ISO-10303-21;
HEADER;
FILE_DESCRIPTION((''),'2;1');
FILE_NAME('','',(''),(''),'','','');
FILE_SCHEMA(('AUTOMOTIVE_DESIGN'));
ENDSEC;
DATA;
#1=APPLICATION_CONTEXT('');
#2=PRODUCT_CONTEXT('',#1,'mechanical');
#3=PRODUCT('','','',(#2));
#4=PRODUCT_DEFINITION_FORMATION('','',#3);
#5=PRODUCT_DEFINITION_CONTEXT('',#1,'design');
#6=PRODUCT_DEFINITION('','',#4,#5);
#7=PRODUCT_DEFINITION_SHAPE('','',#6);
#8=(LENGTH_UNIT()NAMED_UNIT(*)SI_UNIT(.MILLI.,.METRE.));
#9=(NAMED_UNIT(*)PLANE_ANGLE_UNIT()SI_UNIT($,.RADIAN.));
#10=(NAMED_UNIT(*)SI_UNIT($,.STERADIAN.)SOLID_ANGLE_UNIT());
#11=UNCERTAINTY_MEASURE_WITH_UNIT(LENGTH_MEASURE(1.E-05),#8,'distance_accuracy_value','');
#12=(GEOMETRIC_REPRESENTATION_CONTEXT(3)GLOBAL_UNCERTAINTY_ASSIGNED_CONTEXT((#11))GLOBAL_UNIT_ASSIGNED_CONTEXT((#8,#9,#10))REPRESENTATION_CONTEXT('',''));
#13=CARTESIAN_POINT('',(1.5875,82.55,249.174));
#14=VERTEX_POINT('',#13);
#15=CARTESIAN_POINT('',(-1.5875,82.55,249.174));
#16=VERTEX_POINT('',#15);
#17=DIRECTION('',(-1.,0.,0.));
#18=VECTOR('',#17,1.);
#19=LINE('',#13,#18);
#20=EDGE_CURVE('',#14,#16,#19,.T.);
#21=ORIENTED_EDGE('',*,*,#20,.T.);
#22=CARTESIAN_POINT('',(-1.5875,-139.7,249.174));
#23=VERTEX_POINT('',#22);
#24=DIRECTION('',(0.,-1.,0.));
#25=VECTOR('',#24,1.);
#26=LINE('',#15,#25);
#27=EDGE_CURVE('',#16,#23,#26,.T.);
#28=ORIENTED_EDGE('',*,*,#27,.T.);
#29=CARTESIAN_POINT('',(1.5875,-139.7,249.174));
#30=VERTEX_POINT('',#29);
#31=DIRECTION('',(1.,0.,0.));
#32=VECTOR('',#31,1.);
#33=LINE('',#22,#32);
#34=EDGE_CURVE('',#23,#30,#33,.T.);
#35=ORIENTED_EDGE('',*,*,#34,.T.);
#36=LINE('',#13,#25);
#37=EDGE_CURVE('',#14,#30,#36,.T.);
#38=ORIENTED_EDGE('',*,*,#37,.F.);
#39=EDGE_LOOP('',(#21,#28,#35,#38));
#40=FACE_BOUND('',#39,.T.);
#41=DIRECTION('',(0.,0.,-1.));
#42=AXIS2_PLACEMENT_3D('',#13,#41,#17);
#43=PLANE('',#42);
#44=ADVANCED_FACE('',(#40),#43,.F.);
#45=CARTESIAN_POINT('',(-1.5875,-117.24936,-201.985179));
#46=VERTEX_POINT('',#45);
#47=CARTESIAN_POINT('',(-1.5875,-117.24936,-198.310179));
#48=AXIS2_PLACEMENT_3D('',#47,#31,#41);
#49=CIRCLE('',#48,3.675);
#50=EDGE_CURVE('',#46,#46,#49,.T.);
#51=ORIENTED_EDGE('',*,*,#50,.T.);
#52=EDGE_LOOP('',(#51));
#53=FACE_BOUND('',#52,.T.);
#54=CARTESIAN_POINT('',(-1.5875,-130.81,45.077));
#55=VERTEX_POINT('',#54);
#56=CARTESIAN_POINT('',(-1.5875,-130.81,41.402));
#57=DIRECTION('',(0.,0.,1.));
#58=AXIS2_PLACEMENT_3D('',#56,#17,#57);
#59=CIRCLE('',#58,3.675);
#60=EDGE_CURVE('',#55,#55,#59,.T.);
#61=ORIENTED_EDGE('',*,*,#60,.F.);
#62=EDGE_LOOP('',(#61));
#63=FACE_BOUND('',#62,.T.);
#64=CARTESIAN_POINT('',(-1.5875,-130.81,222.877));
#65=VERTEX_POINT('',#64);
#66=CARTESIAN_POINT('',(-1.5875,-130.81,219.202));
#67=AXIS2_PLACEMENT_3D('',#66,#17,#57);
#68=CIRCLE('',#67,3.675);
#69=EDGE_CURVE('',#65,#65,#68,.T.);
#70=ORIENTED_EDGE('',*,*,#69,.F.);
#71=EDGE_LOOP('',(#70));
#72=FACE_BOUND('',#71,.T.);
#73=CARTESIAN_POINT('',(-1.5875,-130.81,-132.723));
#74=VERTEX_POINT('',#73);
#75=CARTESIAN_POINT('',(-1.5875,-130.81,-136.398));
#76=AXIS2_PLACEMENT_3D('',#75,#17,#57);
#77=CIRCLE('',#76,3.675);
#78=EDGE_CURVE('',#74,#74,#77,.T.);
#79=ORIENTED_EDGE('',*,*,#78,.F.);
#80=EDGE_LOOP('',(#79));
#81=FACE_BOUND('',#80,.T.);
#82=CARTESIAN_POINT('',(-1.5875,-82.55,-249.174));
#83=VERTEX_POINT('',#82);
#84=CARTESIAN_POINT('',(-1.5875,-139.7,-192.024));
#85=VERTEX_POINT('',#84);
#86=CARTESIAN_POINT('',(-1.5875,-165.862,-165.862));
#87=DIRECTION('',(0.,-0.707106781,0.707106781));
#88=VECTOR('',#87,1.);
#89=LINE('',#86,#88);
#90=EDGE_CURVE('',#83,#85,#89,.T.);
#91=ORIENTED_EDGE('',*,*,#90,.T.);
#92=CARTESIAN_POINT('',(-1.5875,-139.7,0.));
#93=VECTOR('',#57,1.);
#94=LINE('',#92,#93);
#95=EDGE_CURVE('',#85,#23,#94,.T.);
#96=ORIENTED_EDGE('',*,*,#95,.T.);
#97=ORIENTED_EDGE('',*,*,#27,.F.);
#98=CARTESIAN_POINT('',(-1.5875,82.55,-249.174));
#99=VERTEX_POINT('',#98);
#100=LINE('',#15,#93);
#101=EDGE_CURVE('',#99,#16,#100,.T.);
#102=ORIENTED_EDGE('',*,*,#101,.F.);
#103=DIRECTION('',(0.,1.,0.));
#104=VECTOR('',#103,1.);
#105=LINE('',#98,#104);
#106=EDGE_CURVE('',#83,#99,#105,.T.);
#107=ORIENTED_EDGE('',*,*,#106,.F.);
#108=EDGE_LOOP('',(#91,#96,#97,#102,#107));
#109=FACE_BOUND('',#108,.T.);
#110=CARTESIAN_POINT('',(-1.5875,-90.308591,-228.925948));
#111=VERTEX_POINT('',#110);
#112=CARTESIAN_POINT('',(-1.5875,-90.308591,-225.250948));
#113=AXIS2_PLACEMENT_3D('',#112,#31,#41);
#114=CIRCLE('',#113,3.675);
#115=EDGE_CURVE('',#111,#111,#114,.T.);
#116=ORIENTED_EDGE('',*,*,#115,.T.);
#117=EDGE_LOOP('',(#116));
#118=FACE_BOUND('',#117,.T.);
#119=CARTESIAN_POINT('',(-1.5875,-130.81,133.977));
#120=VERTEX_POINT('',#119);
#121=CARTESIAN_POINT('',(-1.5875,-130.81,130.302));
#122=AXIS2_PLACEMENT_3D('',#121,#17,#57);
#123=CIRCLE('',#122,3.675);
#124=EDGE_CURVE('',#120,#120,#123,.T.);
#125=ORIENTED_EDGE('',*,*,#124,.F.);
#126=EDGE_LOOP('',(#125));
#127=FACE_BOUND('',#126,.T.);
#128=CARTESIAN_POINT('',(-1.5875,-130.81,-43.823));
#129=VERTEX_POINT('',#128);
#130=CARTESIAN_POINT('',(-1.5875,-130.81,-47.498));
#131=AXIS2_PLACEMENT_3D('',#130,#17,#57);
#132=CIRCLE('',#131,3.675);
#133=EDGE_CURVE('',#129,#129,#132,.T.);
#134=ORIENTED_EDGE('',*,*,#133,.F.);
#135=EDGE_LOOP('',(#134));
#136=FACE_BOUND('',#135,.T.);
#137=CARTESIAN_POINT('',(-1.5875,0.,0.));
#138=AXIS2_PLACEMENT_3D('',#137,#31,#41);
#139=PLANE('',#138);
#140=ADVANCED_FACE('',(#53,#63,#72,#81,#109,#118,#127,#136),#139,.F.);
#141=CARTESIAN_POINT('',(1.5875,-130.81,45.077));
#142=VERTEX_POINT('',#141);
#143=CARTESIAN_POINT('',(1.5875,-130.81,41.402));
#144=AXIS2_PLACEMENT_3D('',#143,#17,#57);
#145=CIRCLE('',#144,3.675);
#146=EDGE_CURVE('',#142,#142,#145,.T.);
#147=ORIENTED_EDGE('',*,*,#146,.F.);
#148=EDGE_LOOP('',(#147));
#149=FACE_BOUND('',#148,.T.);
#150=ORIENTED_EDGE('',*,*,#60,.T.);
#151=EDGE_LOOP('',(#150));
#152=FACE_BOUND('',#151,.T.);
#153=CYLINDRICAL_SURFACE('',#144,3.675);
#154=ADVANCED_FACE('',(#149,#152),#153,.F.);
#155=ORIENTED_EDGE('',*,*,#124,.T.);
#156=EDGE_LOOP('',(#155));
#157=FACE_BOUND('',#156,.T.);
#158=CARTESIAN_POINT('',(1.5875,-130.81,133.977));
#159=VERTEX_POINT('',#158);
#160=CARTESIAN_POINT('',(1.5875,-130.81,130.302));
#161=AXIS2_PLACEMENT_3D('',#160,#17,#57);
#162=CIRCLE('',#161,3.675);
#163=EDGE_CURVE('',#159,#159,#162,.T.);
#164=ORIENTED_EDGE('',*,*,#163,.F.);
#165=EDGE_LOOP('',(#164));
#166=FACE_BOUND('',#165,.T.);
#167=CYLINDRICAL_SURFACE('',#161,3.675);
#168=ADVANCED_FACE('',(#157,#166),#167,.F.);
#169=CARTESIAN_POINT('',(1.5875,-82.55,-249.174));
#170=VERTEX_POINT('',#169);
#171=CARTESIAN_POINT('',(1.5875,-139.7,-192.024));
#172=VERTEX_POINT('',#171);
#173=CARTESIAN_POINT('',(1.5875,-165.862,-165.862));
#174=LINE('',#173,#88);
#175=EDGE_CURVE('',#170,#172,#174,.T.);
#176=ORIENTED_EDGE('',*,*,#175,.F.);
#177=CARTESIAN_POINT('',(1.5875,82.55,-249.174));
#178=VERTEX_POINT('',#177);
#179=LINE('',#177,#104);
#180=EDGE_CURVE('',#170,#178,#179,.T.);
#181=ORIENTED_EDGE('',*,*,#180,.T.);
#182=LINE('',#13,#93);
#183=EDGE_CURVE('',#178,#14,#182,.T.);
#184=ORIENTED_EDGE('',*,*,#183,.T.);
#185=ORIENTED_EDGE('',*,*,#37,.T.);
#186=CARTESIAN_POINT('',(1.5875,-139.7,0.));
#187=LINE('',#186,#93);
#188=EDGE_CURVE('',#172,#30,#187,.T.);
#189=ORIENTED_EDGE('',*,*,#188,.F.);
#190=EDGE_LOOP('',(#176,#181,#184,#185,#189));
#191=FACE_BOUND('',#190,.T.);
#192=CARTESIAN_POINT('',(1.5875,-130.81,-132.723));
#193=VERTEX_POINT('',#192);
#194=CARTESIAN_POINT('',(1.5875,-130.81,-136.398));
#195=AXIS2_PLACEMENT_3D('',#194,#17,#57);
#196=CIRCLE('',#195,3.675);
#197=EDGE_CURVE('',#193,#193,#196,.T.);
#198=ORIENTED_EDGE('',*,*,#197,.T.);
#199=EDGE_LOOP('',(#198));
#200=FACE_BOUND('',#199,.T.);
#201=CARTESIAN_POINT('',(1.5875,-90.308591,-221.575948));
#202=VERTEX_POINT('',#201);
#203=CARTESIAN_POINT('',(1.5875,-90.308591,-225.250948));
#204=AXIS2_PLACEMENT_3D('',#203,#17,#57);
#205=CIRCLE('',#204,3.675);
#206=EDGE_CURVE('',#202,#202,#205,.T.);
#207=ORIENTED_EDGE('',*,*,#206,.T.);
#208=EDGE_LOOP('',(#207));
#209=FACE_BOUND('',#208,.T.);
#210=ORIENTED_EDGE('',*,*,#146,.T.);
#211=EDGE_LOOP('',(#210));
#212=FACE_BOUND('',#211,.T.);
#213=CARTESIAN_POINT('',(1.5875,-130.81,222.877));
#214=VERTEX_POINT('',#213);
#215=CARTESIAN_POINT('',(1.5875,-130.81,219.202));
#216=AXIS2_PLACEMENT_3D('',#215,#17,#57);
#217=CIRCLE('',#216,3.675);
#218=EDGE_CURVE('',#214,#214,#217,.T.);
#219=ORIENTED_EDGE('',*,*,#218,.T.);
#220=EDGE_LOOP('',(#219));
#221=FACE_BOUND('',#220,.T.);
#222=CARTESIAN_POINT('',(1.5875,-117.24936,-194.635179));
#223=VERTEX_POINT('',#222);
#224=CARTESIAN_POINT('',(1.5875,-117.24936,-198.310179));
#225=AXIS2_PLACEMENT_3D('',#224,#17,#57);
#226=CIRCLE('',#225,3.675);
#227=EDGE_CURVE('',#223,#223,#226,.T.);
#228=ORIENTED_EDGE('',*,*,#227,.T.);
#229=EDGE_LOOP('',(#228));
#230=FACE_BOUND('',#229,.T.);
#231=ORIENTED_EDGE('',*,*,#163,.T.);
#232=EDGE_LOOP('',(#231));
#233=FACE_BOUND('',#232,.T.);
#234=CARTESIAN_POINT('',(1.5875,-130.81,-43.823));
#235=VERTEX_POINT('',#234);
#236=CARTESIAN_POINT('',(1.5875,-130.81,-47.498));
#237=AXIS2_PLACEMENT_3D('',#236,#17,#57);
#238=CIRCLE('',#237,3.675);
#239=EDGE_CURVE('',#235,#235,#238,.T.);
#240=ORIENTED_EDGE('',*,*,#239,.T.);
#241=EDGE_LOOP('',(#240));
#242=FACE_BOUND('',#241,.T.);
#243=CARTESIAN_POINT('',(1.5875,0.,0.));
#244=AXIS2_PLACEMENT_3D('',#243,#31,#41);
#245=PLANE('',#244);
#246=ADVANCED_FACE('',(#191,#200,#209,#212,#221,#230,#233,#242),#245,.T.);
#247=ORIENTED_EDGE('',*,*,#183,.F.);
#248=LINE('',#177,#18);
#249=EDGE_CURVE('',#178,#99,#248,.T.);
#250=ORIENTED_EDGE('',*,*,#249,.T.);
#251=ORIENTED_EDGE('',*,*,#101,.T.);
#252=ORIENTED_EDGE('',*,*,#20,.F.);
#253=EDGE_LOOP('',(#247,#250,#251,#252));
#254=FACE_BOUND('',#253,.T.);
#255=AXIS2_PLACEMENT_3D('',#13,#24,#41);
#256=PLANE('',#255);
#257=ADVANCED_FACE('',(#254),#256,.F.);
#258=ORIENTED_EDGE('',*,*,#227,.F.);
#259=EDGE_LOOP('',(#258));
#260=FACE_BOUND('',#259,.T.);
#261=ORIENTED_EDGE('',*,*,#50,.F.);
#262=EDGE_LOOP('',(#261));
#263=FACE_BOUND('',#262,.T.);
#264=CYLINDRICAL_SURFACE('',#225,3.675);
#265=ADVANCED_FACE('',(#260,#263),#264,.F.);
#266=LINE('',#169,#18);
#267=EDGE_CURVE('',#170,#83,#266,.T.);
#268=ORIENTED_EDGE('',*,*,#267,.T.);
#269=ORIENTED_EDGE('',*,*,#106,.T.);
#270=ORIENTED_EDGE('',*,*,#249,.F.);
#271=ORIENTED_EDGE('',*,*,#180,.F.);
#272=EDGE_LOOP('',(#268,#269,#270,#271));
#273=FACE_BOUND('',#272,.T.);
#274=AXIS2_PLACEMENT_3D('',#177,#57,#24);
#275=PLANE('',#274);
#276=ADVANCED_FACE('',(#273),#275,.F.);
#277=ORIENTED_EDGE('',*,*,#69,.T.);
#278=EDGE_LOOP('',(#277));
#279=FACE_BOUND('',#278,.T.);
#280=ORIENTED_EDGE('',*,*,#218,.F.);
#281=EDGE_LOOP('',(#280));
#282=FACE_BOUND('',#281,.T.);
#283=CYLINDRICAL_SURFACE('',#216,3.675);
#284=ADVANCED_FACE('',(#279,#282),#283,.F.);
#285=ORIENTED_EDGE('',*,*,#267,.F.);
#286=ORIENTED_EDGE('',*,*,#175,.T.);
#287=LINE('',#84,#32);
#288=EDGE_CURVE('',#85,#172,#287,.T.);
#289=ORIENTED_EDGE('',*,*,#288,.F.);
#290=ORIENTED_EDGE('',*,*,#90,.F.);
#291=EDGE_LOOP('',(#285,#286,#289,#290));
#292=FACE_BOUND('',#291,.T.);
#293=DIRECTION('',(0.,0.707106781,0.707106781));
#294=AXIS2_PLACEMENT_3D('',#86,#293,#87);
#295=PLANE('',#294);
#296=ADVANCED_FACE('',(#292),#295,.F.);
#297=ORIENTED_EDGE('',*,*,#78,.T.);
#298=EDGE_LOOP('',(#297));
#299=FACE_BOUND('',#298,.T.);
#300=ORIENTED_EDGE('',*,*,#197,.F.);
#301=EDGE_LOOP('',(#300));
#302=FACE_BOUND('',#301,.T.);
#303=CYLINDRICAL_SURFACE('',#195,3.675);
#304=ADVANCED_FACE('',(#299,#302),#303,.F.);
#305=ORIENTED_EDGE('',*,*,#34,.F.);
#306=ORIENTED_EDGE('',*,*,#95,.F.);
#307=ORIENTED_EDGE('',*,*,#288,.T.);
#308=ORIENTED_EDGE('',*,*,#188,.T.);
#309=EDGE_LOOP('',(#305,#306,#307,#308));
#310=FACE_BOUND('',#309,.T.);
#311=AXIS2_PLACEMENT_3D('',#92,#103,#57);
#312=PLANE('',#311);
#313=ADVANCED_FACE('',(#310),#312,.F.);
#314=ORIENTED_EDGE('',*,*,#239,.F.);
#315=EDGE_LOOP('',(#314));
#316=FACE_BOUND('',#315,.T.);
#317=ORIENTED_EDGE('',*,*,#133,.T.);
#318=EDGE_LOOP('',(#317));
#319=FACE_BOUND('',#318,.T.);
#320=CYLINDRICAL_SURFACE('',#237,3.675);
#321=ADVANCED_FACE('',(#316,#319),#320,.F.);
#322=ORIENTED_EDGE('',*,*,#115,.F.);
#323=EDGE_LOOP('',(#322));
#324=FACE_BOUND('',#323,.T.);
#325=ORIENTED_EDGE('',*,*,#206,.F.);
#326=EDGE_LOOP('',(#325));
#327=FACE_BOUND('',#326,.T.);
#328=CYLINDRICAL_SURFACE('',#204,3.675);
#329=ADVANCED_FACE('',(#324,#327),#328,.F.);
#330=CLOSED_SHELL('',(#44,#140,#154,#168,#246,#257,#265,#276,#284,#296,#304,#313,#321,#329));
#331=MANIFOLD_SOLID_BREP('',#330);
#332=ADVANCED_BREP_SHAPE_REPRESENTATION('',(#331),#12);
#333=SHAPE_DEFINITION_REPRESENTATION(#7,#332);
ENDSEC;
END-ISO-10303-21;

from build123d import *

# Parameters (mm, degrees)
SKETCH1_W           = 498.348
SKETCH1_H           = 165.1
BOSS_EXTRUDE1_DEPTH = 1.5875
BOSS_EXTRUDE2_DEPTH = 3.175
CUT_EXTRUDE1_DEPTH  = 286.681383539
LPATTERN1_COUNT     = 5
LPATTERN1_PITCH     = 88.9
CUT_EXTRUDE2_DEPTH  = 286.681383539
LPATTERN2_COUNT     = 2
LPATTERN2_PITCH     = 38.1


with BuildPart() as part:
    # Sketch1 → Boss-Extrude1 (new, symmetric)
    with BuildSketch(Plane(origin=(0, 0, 0), x_dir=(0, 0, -1), z_dir=(1, 0, 0))):
        Rectangle(SKETCH1_W, SKETCH1_H)
    extrude(amount=BOSS_EXTRUDE1_DEPTH, both=True)

    # Sketch2 → Boss-Extrude2 (add)
    with BuildSketch(Plane(origin=(1.5875, 0, 0), x_dir=(0, 0, -1), z_dir=(1, 0, 0))):
        Polygon((192.024, -139.7), (249.174, -82.55), (-249.174, -82.55), (-249.174, -139.7), align=None)
    extrude(amount=-BOSS_EXTRUDE2_DEPTH)

    # Sketch3 → Cut-Extrude1 (cut, through all)
    with BuildSketch(Plane.ZY.offset(1.5875)):
        with BuildLine():
            ThreePointArc((222.877, -130.81), (216.603382579, -128.211382579), (219.202, -134.485))
            Line((219.202, -134.485), (219.202, -130.81))
            Line((219.202, -130.81), (222.877, -130.81))
        make_face()
        with BuildLine():
            Line((219.202, -130.81), (219.202, -134.485))
            ThreePointArc((219.202, -134.485), (221.800617421, -133.408617421), (222.877, -130.81))
            Line((222.877, -130.81), (219.202, -130.81))
        make_face()
    cut_extrude1 = extrude(amount=-CUT_EXTRUDE1_DEPTH, mode=Mode.SUBTRACT)

    # LPattern1: Cut-Extrude1 ×5
    with Locations(*[(0, 0, -i * LPATTERN1_PITCH) for i in range(1, LPATTERN1_COUNT)]):
        add(cut_extrude1, mode=Mode.SUBTRACT)

    # Sketch4 → Cut-Extrude2 (cut, symmetric)
    with BuildSketch(Plane.ZY.offset(1.5875)):
        with BuildLine():
            ThreePointArc((-194.635179285, -117.249359697), (-199.716540899, -113.854102415), (-200.908796706, -119.847977118))
            Line((-200.908796706, -119.847977118), (-198.310179285, -117.249359697))
            Line((-198.310179285, -117.249359697), (-195.711561864, -119.847977118))
            ThreePointArc((-195.711561864, -119.847977118), (-194.914922003, -118.655721311), (-194.635179285, -117.249359697))
        make_face()
        with BuildLine():
            Line((-198.310179285, -117.249359697), (-200.908796706, -119.847977118))
            ThreePointArc((-200.908796706, -119.847977118), (-198.310179285, -120.924359697), (-195.711561864, -119.847977118))
            Line((-195.711561864, -119.847977118), (-198.310179285, -117.249359697))
        make_face()
    cut_extrude2 = extrude(amount=CUT_EXTRUDE2_DEPTH, both=True, mode=Mode.SUBTRACT)

    # LPattern2: Cut-Extrude2 ×2
    with Locations(*[Vector(0, 0.7071067811865446, -0.7071067811865507) * (i * LPATTERN2_PITCH) for i in range(1, LPATTERN2_COUNT)]):
        add(cut_extrude2, mode=Mode.SUBTRACT)


solid = part.part
